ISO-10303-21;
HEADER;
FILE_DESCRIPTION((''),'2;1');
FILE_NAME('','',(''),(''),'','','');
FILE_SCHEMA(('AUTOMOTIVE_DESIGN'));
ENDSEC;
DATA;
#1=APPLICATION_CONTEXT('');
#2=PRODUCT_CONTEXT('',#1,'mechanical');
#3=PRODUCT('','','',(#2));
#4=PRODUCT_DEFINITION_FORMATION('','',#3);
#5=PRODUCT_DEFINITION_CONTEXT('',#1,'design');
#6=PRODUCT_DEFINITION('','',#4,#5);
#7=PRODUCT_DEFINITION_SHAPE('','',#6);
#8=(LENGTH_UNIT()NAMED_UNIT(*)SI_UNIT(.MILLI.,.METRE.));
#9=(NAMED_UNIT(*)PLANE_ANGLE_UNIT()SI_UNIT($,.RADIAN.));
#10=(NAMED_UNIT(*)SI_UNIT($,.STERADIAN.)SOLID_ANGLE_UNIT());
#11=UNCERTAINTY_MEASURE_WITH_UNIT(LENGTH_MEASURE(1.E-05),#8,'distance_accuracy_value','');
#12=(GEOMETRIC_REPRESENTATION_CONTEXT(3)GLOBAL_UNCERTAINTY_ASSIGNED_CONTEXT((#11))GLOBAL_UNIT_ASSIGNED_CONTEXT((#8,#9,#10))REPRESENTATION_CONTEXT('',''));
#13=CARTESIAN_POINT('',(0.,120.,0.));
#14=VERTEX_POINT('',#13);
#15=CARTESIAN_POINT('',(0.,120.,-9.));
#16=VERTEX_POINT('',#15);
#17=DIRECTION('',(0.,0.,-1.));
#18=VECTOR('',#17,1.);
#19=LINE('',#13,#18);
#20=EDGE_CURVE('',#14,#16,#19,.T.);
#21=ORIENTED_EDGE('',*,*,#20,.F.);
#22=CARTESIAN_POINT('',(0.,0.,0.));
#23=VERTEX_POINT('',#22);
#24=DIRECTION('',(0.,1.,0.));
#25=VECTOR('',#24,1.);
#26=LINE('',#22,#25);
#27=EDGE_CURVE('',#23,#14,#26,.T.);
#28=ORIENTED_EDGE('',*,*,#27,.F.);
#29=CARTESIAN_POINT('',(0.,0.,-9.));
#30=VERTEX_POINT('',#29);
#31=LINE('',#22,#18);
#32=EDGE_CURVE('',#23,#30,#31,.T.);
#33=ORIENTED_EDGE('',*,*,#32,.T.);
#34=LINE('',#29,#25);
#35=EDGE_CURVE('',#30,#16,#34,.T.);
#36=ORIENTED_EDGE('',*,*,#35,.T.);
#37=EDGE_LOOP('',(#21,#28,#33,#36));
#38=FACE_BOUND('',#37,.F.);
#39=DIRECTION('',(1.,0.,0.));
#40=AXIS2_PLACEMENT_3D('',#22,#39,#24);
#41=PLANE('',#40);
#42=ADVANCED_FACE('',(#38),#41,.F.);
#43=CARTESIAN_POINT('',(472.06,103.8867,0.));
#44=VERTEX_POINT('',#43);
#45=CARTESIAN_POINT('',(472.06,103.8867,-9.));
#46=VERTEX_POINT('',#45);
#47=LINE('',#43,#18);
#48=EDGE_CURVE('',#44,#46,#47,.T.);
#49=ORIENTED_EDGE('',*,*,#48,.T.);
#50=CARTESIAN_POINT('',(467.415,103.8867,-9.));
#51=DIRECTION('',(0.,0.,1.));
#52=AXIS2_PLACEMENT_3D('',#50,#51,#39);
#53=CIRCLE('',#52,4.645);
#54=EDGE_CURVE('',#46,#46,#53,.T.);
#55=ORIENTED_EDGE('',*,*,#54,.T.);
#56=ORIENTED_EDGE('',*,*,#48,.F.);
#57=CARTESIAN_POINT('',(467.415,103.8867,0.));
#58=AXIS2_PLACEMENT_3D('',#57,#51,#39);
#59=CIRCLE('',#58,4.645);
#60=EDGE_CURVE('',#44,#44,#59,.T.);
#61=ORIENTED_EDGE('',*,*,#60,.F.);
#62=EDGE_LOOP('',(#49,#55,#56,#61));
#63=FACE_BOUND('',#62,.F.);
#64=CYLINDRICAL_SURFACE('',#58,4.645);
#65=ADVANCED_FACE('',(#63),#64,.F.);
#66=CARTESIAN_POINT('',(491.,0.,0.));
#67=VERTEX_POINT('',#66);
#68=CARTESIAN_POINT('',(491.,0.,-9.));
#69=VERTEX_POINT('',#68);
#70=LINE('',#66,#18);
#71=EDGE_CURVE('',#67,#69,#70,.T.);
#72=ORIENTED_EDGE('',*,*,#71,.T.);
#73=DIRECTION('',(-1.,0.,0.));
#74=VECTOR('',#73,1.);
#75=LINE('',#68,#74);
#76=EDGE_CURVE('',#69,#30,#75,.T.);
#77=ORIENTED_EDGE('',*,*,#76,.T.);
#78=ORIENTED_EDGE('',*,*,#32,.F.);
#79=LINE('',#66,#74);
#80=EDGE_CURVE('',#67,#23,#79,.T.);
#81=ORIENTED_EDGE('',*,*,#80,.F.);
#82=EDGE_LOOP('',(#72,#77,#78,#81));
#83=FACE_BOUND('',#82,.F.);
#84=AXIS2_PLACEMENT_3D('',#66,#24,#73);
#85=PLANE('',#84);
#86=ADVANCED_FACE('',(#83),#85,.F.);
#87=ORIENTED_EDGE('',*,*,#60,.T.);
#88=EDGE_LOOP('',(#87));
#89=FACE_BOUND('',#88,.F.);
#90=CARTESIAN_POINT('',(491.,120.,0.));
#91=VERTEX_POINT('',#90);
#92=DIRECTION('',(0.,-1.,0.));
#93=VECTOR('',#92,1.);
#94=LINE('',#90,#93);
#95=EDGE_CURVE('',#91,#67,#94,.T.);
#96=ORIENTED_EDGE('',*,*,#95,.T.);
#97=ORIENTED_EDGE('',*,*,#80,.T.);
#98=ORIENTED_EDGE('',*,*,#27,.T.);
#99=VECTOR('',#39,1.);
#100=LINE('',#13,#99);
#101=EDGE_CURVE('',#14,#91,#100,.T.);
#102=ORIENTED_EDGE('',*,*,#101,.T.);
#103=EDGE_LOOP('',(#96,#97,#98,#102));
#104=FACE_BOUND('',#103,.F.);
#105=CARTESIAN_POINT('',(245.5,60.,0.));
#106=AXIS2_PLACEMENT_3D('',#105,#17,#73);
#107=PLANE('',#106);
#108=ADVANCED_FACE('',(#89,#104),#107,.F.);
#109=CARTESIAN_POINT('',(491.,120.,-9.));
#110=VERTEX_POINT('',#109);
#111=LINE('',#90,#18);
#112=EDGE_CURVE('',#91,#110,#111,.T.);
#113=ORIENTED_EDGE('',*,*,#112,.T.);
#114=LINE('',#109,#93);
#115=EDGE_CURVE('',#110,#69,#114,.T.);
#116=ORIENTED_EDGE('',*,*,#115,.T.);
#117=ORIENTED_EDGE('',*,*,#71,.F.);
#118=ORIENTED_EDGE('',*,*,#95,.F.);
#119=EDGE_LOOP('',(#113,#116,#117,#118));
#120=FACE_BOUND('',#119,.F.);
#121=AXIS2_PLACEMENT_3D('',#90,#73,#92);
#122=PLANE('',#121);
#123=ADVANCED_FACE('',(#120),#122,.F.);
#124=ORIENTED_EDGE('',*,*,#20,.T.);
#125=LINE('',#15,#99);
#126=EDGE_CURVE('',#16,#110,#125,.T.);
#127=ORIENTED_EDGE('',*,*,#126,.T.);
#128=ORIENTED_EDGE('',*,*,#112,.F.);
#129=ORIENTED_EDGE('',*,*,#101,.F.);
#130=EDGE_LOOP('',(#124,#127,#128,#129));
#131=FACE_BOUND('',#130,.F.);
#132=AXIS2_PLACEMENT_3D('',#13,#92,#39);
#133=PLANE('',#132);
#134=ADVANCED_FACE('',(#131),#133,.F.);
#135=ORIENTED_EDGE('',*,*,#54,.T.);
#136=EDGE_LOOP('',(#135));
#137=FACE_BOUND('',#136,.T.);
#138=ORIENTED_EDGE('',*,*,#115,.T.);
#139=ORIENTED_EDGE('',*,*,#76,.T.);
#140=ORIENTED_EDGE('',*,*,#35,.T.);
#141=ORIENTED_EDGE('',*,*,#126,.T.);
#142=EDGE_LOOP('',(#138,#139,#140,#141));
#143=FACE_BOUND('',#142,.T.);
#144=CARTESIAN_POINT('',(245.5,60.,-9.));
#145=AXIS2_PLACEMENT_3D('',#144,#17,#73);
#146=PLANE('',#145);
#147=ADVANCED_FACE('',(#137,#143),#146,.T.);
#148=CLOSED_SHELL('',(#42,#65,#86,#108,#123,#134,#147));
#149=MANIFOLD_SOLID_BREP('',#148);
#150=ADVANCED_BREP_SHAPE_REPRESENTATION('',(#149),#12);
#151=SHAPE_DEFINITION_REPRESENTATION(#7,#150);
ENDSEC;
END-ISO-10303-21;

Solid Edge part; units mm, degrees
sketch "Sketch1" plane through (0, 0, 0) normal (0, 0, 1) x (1, 0, 0)
  line L0 (491, 120) -> (491, 0)
  line L1 (491, 0) -> (0, 0)
  line L2 (0, 0) -> (0, 120)
  line L3 (0, 120) -> (491, 120)
  circle A0 centre (467.415, 103.8867) radius 4.645
  dimension "D1" = 120
  dimension "D2" = 491
extrude "Protrusion1" add sketch "Sketch1" against normal blind 9
